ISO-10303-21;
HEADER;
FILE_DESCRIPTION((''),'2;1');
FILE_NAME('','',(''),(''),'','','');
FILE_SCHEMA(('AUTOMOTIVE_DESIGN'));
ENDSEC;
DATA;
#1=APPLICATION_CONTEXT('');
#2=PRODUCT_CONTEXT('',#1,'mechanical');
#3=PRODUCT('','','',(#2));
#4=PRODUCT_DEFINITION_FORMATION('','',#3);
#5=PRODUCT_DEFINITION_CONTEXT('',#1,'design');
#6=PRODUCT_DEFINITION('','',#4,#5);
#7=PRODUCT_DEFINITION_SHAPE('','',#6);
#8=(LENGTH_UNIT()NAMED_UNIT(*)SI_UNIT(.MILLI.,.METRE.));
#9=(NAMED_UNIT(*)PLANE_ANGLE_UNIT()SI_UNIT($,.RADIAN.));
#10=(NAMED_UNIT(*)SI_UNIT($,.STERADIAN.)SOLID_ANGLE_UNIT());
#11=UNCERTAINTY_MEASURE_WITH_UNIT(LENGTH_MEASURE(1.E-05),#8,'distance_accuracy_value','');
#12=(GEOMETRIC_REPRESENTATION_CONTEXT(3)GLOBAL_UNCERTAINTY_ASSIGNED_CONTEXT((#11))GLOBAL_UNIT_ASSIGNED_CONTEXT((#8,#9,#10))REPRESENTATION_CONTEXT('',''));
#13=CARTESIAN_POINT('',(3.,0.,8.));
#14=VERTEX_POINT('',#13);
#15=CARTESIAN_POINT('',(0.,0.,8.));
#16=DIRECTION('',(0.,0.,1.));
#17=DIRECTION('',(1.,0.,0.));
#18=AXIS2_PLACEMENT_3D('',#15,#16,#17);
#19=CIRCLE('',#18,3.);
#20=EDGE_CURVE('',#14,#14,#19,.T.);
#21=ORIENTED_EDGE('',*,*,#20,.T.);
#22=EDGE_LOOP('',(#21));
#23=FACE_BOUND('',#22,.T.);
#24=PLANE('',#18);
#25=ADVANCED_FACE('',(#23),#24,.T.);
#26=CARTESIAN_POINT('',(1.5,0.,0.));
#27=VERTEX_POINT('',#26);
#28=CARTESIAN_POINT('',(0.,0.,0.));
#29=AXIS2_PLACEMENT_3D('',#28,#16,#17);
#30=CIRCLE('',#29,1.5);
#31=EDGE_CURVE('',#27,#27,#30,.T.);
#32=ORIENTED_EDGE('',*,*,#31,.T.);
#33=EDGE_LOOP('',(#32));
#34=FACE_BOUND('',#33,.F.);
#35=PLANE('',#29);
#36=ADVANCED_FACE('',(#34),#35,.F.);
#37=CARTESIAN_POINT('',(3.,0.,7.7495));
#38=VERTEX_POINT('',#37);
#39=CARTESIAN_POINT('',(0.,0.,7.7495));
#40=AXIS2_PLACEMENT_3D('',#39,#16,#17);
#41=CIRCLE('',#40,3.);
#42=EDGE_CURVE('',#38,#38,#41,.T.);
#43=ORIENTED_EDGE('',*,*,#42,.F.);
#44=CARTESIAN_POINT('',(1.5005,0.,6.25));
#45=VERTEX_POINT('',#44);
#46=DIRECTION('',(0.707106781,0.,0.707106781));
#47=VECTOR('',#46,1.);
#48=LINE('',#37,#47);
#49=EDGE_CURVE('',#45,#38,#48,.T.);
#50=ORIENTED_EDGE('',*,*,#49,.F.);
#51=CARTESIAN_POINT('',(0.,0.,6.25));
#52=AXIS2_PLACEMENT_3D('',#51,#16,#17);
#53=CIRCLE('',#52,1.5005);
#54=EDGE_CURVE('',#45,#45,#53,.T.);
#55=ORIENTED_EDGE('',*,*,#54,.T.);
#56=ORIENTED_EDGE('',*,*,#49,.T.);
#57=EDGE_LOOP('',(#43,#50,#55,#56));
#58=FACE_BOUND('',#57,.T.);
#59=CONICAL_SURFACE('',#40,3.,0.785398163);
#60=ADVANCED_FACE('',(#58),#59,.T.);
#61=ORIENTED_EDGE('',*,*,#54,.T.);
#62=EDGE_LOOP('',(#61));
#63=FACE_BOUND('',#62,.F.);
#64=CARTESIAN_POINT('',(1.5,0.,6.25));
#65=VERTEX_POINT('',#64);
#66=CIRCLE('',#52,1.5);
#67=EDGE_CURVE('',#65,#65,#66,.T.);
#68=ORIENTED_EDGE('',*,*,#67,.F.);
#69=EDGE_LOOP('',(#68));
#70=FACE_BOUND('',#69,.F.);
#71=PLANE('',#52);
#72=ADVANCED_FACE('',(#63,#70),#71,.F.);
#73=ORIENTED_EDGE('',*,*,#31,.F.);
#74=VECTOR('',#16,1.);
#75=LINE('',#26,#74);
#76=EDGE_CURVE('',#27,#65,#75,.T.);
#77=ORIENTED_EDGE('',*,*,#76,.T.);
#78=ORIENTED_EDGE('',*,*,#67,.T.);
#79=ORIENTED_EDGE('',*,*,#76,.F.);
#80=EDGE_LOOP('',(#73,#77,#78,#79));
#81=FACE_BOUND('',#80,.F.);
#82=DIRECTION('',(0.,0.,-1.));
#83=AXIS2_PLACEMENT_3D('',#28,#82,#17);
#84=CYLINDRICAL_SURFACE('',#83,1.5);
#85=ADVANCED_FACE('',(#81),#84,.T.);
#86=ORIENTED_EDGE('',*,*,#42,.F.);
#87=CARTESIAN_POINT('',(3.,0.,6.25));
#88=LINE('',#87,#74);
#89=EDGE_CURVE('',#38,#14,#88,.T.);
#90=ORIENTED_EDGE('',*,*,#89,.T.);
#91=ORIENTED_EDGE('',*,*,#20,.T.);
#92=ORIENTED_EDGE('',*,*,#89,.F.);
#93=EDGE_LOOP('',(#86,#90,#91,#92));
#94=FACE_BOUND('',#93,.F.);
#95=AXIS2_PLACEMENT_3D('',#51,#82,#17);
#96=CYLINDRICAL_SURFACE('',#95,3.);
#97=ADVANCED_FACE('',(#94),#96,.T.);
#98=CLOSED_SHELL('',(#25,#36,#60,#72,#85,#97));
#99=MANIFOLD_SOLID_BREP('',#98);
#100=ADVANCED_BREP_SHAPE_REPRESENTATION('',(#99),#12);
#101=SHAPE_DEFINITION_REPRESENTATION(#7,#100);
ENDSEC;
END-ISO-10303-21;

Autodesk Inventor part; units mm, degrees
ref_plane "YZ Plane" through (0, 0, 0) normal (1, 0, 0) x (0, 1, 0)
ref_plane "XZ Plane" through (0, 0, 0) normal (0, 1, 0) x (-1, 0, 0)
ref_plane "XY Plane" through (0, 0, 0) normal (0, 0, 1) x (1, 0, 0)
sketch "スケッチ1" plane through (0, 0, 0) normal (0, 0, 1) x (1, 0, 0)
  circle A0 centre (0, 0) radius 1.5
  dimension "d0" = 3
extrude "押し出し1" add sketch "スケッチ1" along normal blind 6.25
sketch "スケッチ2" plane through (0, 0, 6.25) normal (0, 0, 1) x (1, 0, 0)
  circle A0 centre (0, 0) radius 1.5 projected
  circle A1 centre (0, 0) radius 3
  dimension "d3" = 6
extrude "押し出し2" add sketch "スケッチ2" along normal blind 1.75 contours A0 | A1
thread "ねじ1" size "M3x0.5" class "6g" standard "ANSI Metric M Profile" full length
chamfer "面取り1" distance 1.5 angle 45 1 edges at (-3, 0, 6.25)
properties part number "SB　8mm皿ネジ" material "Steel, Mild"
